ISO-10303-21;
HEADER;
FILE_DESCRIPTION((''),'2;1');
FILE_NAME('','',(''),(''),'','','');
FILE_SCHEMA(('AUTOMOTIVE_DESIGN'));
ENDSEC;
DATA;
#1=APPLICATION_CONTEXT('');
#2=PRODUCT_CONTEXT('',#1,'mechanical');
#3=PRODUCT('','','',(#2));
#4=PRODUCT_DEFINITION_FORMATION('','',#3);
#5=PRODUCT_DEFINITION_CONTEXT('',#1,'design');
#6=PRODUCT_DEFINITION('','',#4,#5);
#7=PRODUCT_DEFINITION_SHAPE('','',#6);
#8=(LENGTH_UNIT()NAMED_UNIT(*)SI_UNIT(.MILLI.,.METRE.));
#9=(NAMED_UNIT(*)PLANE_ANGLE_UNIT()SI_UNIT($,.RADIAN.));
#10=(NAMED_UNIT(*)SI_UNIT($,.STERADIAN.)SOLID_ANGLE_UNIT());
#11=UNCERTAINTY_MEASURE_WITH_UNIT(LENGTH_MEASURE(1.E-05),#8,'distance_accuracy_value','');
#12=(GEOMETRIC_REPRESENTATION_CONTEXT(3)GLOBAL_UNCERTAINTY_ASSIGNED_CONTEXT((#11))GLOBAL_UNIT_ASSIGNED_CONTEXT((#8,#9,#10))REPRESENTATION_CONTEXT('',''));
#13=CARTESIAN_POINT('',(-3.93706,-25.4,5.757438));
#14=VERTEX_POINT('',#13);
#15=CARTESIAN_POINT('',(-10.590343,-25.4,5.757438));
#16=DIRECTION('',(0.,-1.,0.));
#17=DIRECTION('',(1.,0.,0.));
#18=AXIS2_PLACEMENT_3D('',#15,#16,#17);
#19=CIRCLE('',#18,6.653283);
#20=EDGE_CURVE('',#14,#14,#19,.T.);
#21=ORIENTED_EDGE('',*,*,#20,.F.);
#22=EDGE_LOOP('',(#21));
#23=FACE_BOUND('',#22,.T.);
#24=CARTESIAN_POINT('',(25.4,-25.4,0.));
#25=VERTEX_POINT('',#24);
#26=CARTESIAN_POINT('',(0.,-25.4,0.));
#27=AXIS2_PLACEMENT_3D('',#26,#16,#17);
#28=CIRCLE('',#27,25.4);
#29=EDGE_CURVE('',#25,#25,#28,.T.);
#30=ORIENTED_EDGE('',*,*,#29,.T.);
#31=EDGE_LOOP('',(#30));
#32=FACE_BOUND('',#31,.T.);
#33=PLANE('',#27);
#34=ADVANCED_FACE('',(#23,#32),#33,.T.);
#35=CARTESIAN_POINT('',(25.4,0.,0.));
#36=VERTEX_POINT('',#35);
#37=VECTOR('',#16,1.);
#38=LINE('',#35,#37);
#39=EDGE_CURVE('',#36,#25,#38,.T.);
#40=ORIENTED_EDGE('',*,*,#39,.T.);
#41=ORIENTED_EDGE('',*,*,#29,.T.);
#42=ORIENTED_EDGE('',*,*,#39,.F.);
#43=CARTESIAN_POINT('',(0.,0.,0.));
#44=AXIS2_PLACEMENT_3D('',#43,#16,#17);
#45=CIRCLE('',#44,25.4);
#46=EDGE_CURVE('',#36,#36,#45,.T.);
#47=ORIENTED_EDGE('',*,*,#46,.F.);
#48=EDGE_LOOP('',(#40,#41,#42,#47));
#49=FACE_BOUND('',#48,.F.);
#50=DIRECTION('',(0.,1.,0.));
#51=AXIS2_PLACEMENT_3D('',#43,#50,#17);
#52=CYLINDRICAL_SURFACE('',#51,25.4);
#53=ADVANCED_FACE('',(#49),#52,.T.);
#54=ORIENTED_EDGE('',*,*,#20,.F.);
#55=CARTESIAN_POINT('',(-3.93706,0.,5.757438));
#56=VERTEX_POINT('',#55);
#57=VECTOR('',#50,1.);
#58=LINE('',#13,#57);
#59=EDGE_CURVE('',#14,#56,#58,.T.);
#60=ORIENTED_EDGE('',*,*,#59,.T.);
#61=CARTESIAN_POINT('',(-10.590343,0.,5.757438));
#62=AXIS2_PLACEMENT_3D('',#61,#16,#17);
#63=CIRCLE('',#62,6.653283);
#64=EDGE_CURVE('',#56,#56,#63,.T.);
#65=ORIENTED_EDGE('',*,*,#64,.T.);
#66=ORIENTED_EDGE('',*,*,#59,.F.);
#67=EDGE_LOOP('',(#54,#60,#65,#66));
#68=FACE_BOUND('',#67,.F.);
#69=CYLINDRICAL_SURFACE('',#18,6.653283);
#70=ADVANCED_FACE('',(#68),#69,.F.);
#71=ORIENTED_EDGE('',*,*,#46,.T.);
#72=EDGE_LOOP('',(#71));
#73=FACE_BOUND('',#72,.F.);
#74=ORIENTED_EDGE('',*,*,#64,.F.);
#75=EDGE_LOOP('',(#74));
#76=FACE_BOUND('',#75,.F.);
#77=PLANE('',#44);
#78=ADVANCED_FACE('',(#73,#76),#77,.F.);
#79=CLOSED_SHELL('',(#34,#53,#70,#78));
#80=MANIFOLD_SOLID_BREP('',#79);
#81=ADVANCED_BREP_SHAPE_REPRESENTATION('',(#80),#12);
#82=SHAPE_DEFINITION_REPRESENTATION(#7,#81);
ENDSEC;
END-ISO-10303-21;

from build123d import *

# Parameters (mm, degrees)
F0_R     = 25.4
F1_DEPTH = 25.4
F2_R     = 6.653283
F3_DEPTH = 25.4


with BuildPart() as f1:
    # F0 (on Front) → F1 (new body)
    with BuildSketch(Plane.XZ):
        Circle(F0_R)
    extrude(amount=F1_DEPTH)

    # F2 (on face) → F3 (cut, through all)
    with BuildSketch(Plane.XZ.offset(25.4)):
        with Locations((-10.590343, 5.757438)):
            Circle(F2_R)
    extrude(amount=-F3_DEPTH, mode=Mode.SUBTRACT)


solid = f1.part
